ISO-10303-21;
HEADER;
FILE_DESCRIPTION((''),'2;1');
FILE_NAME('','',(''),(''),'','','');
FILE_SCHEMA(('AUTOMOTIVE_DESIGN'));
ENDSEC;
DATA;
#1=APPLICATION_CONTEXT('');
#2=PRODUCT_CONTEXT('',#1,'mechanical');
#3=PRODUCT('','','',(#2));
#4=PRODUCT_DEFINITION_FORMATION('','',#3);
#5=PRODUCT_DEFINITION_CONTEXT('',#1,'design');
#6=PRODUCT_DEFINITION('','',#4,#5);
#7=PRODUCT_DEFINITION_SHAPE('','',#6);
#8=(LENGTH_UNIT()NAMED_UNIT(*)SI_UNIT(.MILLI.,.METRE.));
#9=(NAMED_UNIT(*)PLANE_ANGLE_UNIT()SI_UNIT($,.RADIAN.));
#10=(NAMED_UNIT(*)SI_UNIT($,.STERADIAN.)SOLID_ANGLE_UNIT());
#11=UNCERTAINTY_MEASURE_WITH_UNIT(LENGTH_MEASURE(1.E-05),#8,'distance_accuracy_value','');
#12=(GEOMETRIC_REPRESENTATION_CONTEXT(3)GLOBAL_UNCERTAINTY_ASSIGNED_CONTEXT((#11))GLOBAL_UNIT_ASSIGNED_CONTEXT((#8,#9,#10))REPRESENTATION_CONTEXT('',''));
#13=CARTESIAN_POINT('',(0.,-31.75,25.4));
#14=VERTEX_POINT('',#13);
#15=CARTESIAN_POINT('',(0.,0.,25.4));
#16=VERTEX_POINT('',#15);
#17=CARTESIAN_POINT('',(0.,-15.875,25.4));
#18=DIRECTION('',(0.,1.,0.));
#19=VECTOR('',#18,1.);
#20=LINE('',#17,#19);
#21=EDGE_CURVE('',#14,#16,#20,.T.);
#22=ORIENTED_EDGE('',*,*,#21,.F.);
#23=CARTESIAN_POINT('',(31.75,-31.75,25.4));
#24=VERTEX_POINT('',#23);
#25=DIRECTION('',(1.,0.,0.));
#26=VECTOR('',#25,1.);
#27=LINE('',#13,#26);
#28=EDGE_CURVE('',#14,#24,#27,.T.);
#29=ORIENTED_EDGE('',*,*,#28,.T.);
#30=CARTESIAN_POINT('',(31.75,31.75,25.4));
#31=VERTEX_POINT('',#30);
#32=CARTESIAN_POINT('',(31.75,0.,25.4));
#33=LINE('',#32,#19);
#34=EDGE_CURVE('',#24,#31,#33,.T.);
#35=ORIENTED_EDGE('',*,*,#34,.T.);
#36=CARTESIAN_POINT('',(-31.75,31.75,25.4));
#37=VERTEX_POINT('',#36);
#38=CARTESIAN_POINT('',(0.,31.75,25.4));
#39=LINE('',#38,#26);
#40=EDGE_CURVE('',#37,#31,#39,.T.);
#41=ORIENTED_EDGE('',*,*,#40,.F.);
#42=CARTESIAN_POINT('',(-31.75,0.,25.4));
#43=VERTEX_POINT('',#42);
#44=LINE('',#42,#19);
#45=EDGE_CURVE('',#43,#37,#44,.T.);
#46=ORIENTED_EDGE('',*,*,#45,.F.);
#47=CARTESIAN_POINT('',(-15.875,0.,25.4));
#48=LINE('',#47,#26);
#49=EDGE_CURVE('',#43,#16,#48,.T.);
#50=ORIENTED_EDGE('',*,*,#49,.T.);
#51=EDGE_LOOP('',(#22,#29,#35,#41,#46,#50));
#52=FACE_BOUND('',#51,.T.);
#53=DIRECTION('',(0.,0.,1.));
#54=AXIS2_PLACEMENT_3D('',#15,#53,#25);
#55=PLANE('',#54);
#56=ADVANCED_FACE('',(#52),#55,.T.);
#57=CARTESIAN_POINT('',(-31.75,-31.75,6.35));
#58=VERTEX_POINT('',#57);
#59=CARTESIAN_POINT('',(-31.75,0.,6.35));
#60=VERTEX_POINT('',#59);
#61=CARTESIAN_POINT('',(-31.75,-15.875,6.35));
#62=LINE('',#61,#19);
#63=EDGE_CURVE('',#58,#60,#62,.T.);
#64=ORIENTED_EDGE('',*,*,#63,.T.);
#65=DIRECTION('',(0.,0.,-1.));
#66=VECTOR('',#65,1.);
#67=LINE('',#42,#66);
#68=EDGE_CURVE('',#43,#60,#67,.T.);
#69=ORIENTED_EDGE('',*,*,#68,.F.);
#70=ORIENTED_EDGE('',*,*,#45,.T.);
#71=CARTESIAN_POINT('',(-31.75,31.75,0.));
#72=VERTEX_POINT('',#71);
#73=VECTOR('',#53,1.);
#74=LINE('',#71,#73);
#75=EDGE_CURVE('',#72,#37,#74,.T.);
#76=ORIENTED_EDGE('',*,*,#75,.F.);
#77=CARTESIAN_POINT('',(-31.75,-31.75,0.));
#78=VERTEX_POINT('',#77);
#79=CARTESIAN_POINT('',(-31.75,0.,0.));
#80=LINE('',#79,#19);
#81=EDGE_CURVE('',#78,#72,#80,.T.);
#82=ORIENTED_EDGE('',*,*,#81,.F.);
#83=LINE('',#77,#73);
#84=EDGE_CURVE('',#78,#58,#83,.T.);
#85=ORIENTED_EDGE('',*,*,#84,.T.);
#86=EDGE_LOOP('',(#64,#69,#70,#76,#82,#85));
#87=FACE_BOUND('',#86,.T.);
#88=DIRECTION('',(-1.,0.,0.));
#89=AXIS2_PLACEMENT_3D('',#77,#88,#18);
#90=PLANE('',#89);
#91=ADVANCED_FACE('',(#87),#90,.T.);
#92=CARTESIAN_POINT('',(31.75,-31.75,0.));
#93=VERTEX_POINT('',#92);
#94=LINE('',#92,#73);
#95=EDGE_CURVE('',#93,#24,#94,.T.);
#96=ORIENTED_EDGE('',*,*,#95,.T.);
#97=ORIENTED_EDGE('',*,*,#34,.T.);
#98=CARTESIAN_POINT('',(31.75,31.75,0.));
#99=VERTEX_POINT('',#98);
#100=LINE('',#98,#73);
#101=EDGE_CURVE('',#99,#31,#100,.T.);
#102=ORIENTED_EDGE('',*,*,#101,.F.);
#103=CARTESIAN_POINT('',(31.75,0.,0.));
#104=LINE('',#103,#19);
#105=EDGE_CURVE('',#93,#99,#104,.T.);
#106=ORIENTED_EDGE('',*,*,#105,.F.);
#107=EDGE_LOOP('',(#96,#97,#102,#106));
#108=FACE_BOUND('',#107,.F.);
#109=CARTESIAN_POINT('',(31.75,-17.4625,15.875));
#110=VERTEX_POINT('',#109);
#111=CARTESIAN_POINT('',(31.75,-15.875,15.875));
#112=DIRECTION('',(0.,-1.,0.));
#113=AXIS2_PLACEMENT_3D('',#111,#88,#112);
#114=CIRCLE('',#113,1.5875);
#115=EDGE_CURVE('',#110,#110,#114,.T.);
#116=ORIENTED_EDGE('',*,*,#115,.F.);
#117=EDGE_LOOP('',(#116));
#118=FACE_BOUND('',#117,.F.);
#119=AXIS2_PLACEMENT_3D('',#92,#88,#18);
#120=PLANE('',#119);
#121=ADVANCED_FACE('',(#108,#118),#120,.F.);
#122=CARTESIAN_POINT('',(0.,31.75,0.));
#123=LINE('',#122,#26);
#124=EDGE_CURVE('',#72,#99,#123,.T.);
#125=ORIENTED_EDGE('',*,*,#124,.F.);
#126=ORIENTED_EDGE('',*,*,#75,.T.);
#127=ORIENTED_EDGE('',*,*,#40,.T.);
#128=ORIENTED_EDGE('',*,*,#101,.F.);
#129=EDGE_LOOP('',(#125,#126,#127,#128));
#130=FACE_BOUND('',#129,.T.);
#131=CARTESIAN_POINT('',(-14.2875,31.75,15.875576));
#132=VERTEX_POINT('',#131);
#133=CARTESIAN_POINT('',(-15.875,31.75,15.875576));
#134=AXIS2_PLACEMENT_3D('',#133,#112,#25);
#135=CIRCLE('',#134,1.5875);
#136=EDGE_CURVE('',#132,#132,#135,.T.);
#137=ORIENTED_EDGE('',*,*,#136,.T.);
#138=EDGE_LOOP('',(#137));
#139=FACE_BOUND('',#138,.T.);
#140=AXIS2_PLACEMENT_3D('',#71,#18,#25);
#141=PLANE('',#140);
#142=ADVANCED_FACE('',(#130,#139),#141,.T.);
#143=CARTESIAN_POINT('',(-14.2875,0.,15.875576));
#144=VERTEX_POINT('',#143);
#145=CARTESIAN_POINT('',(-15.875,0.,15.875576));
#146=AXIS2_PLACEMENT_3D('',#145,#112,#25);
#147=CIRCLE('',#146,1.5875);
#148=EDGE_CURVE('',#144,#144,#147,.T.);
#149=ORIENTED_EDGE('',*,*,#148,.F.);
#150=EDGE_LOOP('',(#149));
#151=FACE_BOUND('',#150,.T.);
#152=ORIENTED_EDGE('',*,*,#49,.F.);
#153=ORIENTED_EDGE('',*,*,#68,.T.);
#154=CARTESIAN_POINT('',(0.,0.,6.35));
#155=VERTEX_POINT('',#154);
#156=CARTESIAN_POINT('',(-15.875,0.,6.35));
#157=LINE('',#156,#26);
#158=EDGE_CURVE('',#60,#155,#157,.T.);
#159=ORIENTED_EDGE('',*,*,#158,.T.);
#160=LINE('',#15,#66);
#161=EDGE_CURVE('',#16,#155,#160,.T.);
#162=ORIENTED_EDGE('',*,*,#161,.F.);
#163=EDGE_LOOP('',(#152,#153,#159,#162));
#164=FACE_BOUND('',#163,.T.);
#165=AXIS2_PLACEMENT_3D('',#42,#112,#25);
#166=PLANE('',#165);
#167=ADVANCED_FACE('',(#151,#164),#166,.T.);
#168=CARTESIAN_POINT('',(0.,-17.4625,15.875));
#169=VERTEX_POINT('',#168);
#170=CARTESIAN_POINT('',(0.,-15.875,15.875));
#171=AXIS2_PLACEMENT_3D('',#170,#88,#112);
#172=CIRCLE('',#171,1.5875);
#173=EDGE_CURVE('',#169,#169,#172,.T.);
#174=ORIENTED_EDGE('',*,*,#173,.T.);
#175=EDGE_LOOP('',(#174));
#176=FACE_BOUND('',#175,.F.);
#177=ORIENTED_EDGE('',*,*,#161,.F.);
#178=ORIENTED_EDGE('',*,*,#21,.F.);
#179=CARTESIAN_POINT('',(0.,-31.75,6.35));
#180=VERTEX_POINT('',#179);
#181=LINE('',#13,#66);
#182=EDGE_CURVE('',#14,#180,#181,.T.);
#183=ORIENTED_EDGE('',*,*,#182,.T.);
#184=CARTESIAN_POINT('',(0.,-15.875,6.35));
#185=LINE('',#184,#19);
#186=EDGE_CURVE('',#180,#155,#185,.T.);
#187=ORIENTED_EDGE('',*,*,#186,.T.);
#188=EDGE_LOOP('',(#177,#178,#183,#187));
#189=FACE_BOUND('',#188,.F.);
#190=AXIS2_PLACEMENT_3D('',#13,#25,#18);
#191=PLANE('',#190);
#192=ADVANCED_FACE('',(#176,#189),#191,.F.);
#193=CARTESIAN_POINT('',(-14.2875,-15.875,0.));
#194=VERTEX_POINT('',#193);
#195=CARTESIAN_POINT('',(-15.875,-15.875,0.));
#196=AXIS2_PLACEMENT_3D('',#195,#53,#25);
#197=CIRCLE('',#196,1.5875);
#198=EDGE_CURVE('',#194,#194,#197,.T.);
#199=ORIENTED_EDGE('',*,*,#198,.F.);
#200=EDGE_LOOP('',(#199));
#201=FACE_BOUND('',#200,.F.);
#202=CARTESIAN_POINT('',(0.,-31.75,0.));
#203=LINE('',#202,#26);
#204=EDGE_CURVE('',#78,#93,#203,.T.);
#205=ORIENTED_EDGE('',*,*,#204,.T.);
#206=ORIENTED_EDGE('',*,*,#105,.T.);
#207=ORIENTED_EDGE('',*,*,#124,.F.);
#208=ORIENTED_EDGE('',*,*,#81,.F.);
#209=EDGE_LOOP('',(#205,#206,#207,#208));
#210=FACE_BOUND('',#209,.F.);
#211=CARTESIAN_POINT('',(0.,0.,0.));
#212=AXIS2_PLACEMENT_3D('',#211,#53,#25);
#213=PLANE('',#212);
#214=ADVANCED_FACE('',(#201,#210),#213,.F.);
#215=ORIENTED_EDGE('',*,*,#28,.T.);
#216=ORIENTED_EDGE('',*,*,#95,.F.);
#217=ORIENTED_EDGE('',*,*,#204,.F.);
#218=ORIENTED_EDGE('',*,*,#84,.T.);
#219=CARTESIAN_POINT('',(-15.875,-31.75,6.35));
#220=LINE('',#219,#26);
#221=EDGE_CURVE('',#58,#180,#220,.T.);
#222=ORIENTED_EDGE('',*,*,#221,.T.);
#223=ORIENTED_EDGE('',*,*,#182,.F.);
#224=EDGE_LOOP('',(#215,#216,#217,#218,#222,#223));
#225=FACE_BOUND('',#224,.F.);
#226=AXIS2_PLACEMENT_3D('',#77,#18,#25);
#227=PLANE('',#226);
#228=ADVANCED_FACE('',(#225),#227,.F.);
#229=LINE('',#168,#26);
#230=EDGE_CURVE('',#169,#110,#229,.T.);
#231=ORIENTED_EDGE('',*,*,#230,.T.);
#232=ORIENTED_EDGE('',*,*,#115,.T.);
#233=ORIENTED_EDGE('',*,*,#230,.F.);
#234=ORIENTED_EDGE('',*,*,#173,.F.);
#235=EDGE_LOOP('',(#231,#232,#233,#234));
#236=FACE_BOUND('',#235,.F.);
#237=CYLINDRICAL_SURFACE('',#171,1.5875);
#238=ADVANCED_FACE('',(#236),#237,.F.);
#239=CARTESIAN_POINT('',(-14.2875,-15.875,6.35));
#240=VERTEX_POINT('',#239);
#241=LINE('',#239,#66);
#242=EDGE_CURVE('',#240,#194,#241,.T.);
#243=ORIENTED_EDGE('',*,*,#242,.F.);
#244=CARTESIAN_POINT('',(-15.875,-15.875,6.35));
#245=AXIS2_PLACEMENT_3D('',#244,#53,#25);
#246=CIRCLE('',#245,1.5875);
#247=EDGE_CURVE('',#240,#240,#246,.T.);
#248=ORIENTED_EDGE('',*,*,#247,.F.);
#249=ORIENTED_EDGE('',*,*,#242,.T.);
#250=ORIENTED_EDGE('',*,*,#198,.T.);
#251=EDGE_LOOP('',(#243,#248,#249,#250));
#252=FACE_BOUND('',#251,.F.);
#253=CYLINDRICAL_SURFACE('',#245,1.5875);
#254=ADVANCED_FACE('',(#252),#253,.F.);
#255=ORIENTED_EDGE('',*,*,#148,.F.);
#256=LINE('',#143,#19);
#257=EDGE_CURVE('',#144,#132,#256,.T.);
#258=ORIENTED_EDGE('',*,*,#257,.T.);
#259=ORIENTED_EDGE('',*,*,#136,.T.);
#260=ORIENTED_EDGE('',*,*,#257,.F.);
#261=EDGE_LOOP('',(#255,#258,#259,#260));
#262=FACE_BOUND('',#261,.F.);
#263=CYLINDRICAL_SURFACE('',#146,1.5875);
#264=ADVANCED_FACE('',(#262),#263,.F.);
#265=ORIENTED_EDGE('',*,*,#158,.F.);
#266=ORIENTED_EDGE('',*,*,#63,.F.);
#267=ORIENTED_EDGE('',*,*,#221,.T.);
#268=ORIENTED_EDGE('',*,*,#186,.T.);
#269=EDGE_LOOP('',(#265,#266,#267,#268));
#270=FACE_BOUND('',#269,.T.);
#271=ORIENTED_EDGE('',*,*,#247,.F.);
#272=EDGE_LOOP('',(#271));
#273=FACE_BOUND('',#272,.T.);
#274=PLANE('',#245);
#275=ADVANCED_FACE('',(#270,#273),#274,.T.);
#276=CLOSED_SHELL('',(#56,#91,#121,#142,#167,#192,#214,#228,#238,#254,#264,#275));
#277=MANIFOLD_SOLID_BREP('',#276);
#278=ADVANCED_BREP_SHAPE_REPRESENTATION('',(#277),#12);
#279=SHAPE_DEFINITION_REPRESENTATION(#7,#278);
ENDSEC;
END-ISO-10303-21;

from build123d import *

# Parameters (mm, degrees)
F0_W     = 63.5
F0_H     = 63.5
F1_DEPTH = 25.4
F2_W     = 31.75
F2_H     = 31.75
F3_DEPTH = 19.05
F4_R     = 1.5875
F5_DEPTH = 6.35
F6_R     = 1.5875
F7_DEPTH = 38.1
F8_R     = 1.5875
F9_DEPTH = 38.1


with BuildPart() as f1:
    # F0 (on Top) → F1 (new body)
    with BuildSketch(Plane.XY):
        Rectangle(F0_W, F0_H)
    extrude(amount=F1_DEPTH)

    # F2 (on face) → F3 (cut)
    with BuildSketch(Plane.XY.offset(25.4)):
        with Locations((-15.875, -15.875)):
            Rectangle(F2_W, F2_H)
    extrude(amount=-F3_DEPTH, mode=Mode.SUBTRACT)

    # F4 (on face) → F5 (cut)
    with BuildSketch(Plane.XY.offset(6.35)):
        with Locations((-15.875, -15.875)):
            Circle(F4_R)
    extrude(amount=-F5_DEPTH, mode=Mode.SUBTRACT)

    # F6 (on face) → F7 (cut)
    with BuildSketch(Plane(origin=(0, 0, 0), x_dir=(0, -1, 0), z_dir=(-1, 0, 0))):
        with Locations((15.875, 15.875)):
            Circle(F6_R)
    extrude(amount=-F7_DEPTH, mode=Mode.SUBTRACT)

    # F8 (on face) → F9 (cut)
    with BuildSketch(Plane.XZ):
        with Locations((-15.875, 15.875576)):
            Circle(F8_R)
    extrude(amount=-F9_DEPTH, mode=Mode.SUBTRACT)


solid = f1.part
